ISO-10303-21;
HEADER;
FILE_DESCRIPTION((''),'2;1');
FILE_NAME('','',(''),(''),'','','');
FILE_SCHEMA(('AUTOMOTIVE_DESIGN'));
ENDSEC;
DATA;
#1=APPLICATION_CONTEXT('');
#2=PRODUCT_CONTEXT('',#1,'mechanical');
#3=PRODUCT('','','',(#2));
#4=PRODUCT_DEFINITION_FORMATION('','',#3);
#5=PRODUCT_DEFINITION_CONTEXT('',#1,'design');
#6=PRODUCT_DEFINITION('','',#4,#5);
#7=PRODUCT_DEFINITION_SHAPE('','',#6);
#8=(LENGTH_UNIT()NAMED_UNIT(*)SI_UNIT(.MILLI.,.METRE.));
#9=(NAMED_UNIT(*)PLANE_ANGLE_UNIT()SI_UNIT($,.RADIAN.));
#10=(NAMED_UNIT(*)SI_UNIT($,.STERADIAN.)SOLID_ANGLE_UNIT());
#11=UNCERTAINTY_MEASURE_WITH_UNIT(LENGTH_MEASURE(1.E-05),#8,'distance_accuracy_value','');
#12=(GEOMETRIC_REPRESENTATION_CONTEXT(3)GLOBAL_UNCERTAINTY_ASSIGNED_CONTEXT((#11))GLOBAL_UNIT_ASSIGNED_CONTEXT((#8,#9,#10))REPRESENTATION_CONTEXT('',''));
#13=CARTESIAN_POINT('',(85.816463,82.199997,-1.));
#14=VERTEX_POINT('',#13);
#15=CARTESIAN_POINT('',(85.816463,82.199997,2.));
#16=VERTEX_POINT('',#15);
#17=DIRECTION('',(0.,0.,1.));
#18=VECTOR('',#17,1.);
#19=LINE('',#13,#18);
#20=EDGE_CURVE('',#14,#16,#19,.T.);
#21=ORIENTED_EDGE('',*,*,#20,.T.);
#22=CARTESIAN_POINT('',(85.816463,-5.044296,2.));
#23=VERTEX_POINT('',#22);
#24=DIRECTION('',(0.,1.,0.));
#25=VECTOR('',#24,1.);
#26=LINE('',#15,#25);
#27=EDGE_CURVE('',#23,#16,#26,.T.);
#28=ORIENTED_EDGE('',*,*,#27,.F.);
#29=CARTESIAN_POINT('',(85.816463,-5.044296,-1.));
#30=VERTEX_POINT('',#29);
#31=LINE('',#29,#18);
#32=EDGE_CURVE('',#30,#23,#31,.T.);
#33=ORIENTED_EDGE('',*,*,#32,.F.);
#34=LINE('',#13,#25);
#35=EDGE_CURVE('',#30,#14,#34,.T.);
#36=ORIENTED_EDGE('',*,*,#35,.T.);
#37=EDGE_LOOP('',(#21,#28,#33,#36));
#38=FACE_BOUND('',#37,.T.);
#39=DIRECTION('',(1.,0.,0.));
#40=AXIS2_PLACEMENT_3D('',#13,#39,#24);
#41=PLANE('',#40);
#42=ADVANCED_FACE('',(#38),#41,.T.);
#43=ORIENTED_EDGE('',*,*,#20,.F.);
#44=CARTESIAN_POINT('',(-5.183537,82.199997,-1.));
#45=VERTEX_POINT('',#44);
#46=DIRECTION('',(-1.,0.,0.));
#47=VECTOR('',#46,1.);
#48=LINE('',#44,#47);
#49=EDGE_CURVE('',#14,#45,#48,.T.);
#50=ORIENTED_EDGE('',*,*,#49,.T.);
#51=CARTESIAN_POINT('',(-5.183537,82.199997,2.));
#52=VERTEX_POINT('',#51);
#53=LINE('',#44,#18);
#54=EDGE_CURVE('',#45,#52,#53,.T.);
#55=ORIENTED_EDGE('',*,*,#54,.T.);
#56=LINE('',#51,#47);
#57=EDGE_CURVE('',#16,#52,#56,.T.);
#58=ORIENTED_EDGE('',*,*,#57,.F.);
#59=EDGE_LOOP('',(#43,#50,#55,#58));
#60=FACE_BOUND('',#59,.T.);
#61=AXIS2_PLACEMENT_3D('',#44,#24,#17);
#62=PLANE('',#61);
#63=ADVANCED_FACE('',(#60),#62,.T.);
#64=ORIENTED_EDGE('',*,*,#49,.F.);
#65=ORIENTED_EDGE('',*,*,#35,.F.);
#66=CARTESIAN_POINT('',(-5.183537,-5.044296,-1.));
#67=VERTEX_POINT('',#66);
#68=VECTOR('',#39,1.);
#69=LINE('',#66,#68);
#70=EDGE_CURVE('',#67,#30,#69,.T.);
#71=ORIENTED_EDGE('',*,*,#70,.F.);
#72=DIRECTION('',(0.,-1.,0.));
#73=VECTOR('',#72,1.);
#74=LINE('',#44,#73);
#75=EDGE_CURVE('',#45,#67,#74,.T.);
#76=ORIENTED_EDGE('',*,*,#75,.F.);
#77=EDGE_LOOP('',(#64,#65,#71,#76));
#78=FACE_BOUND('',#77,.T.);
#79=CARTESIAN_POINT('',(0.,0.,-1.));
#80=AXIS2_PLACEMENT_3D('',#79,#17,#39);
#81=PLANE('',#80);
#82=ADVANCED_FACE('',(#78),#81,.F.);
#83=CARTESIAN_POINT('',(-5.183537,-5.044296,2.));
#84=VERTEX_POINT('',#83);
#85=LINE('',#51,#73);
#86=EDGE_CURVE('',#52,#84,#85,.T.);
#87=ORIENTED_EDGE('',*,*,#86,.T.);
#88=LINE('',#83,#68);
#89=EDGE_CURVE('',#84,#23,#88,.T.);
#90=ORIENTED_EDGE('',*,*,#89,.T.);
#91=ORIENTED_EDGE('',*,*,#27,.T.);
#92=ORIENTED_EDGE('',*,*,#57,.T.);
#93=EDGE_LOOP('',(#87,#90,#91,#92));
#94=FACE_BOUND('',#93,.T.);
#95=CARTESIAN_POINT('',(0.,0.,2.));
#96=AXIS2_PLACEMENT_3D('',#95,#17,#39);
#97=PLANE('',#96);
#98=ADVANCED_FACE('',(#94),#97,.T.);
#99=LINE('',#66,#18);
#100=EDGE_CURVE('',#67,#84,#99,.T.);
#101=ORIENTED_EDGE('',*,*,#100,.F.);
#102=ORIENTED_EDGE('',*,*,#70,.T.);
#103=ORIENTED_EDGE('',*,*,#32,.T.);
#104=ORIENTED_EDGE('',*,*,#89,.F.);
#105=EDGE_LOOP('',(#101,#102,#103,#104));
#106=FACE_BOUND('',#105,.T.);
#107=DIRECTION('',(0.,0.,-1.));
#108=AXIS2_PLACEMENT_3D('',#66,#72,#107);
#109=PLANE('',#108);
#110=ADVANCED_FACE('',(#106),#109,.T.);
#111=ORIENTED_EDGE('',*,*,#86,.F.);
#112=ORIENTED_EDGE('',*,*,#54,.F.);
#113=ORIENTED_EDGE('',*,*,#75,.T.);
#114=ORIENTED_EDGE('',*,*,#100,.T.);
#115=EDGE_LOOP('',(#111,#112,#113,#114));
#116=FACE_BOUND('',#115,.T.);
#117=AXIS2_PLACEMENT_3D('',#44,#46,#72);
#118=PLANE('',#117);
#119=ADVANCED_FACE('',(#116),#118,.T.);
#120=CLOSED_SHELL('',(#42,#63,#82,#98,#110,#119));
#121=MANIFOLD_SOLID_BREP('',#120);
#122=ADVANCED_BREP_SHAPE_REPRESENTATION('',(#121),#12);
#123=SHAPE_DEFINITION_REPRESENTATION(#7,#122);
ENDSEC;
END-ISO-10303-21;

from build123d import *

# Parameters (mm, degrees)
SKETCH3_W                = 91
SKETCH3_H                = 87.244293111
BOSS_EXTRUDE1_DEPTH      = 2
BOSS_EXTRUDE1_DEPTH_BACK = 1


with BuildPart() as part:
    # Sketch3 → Boss-Extrude1 (new body, two sides)
    with BuildSketch(Plane.XY) as boss_extrude1_sk:
        with Locations((40.316463084, 38.577850393)):
            Rectangle(SKETCH3_W, SKETCH3_H)
    extrude(amount=BOSS_EXTRUDE1_DEPTH)
    extrude(boss_extrude1_sk.sketch, amount=-BOSS_EXTRUDE1_DEPTH_BACK)


solid = part.part
